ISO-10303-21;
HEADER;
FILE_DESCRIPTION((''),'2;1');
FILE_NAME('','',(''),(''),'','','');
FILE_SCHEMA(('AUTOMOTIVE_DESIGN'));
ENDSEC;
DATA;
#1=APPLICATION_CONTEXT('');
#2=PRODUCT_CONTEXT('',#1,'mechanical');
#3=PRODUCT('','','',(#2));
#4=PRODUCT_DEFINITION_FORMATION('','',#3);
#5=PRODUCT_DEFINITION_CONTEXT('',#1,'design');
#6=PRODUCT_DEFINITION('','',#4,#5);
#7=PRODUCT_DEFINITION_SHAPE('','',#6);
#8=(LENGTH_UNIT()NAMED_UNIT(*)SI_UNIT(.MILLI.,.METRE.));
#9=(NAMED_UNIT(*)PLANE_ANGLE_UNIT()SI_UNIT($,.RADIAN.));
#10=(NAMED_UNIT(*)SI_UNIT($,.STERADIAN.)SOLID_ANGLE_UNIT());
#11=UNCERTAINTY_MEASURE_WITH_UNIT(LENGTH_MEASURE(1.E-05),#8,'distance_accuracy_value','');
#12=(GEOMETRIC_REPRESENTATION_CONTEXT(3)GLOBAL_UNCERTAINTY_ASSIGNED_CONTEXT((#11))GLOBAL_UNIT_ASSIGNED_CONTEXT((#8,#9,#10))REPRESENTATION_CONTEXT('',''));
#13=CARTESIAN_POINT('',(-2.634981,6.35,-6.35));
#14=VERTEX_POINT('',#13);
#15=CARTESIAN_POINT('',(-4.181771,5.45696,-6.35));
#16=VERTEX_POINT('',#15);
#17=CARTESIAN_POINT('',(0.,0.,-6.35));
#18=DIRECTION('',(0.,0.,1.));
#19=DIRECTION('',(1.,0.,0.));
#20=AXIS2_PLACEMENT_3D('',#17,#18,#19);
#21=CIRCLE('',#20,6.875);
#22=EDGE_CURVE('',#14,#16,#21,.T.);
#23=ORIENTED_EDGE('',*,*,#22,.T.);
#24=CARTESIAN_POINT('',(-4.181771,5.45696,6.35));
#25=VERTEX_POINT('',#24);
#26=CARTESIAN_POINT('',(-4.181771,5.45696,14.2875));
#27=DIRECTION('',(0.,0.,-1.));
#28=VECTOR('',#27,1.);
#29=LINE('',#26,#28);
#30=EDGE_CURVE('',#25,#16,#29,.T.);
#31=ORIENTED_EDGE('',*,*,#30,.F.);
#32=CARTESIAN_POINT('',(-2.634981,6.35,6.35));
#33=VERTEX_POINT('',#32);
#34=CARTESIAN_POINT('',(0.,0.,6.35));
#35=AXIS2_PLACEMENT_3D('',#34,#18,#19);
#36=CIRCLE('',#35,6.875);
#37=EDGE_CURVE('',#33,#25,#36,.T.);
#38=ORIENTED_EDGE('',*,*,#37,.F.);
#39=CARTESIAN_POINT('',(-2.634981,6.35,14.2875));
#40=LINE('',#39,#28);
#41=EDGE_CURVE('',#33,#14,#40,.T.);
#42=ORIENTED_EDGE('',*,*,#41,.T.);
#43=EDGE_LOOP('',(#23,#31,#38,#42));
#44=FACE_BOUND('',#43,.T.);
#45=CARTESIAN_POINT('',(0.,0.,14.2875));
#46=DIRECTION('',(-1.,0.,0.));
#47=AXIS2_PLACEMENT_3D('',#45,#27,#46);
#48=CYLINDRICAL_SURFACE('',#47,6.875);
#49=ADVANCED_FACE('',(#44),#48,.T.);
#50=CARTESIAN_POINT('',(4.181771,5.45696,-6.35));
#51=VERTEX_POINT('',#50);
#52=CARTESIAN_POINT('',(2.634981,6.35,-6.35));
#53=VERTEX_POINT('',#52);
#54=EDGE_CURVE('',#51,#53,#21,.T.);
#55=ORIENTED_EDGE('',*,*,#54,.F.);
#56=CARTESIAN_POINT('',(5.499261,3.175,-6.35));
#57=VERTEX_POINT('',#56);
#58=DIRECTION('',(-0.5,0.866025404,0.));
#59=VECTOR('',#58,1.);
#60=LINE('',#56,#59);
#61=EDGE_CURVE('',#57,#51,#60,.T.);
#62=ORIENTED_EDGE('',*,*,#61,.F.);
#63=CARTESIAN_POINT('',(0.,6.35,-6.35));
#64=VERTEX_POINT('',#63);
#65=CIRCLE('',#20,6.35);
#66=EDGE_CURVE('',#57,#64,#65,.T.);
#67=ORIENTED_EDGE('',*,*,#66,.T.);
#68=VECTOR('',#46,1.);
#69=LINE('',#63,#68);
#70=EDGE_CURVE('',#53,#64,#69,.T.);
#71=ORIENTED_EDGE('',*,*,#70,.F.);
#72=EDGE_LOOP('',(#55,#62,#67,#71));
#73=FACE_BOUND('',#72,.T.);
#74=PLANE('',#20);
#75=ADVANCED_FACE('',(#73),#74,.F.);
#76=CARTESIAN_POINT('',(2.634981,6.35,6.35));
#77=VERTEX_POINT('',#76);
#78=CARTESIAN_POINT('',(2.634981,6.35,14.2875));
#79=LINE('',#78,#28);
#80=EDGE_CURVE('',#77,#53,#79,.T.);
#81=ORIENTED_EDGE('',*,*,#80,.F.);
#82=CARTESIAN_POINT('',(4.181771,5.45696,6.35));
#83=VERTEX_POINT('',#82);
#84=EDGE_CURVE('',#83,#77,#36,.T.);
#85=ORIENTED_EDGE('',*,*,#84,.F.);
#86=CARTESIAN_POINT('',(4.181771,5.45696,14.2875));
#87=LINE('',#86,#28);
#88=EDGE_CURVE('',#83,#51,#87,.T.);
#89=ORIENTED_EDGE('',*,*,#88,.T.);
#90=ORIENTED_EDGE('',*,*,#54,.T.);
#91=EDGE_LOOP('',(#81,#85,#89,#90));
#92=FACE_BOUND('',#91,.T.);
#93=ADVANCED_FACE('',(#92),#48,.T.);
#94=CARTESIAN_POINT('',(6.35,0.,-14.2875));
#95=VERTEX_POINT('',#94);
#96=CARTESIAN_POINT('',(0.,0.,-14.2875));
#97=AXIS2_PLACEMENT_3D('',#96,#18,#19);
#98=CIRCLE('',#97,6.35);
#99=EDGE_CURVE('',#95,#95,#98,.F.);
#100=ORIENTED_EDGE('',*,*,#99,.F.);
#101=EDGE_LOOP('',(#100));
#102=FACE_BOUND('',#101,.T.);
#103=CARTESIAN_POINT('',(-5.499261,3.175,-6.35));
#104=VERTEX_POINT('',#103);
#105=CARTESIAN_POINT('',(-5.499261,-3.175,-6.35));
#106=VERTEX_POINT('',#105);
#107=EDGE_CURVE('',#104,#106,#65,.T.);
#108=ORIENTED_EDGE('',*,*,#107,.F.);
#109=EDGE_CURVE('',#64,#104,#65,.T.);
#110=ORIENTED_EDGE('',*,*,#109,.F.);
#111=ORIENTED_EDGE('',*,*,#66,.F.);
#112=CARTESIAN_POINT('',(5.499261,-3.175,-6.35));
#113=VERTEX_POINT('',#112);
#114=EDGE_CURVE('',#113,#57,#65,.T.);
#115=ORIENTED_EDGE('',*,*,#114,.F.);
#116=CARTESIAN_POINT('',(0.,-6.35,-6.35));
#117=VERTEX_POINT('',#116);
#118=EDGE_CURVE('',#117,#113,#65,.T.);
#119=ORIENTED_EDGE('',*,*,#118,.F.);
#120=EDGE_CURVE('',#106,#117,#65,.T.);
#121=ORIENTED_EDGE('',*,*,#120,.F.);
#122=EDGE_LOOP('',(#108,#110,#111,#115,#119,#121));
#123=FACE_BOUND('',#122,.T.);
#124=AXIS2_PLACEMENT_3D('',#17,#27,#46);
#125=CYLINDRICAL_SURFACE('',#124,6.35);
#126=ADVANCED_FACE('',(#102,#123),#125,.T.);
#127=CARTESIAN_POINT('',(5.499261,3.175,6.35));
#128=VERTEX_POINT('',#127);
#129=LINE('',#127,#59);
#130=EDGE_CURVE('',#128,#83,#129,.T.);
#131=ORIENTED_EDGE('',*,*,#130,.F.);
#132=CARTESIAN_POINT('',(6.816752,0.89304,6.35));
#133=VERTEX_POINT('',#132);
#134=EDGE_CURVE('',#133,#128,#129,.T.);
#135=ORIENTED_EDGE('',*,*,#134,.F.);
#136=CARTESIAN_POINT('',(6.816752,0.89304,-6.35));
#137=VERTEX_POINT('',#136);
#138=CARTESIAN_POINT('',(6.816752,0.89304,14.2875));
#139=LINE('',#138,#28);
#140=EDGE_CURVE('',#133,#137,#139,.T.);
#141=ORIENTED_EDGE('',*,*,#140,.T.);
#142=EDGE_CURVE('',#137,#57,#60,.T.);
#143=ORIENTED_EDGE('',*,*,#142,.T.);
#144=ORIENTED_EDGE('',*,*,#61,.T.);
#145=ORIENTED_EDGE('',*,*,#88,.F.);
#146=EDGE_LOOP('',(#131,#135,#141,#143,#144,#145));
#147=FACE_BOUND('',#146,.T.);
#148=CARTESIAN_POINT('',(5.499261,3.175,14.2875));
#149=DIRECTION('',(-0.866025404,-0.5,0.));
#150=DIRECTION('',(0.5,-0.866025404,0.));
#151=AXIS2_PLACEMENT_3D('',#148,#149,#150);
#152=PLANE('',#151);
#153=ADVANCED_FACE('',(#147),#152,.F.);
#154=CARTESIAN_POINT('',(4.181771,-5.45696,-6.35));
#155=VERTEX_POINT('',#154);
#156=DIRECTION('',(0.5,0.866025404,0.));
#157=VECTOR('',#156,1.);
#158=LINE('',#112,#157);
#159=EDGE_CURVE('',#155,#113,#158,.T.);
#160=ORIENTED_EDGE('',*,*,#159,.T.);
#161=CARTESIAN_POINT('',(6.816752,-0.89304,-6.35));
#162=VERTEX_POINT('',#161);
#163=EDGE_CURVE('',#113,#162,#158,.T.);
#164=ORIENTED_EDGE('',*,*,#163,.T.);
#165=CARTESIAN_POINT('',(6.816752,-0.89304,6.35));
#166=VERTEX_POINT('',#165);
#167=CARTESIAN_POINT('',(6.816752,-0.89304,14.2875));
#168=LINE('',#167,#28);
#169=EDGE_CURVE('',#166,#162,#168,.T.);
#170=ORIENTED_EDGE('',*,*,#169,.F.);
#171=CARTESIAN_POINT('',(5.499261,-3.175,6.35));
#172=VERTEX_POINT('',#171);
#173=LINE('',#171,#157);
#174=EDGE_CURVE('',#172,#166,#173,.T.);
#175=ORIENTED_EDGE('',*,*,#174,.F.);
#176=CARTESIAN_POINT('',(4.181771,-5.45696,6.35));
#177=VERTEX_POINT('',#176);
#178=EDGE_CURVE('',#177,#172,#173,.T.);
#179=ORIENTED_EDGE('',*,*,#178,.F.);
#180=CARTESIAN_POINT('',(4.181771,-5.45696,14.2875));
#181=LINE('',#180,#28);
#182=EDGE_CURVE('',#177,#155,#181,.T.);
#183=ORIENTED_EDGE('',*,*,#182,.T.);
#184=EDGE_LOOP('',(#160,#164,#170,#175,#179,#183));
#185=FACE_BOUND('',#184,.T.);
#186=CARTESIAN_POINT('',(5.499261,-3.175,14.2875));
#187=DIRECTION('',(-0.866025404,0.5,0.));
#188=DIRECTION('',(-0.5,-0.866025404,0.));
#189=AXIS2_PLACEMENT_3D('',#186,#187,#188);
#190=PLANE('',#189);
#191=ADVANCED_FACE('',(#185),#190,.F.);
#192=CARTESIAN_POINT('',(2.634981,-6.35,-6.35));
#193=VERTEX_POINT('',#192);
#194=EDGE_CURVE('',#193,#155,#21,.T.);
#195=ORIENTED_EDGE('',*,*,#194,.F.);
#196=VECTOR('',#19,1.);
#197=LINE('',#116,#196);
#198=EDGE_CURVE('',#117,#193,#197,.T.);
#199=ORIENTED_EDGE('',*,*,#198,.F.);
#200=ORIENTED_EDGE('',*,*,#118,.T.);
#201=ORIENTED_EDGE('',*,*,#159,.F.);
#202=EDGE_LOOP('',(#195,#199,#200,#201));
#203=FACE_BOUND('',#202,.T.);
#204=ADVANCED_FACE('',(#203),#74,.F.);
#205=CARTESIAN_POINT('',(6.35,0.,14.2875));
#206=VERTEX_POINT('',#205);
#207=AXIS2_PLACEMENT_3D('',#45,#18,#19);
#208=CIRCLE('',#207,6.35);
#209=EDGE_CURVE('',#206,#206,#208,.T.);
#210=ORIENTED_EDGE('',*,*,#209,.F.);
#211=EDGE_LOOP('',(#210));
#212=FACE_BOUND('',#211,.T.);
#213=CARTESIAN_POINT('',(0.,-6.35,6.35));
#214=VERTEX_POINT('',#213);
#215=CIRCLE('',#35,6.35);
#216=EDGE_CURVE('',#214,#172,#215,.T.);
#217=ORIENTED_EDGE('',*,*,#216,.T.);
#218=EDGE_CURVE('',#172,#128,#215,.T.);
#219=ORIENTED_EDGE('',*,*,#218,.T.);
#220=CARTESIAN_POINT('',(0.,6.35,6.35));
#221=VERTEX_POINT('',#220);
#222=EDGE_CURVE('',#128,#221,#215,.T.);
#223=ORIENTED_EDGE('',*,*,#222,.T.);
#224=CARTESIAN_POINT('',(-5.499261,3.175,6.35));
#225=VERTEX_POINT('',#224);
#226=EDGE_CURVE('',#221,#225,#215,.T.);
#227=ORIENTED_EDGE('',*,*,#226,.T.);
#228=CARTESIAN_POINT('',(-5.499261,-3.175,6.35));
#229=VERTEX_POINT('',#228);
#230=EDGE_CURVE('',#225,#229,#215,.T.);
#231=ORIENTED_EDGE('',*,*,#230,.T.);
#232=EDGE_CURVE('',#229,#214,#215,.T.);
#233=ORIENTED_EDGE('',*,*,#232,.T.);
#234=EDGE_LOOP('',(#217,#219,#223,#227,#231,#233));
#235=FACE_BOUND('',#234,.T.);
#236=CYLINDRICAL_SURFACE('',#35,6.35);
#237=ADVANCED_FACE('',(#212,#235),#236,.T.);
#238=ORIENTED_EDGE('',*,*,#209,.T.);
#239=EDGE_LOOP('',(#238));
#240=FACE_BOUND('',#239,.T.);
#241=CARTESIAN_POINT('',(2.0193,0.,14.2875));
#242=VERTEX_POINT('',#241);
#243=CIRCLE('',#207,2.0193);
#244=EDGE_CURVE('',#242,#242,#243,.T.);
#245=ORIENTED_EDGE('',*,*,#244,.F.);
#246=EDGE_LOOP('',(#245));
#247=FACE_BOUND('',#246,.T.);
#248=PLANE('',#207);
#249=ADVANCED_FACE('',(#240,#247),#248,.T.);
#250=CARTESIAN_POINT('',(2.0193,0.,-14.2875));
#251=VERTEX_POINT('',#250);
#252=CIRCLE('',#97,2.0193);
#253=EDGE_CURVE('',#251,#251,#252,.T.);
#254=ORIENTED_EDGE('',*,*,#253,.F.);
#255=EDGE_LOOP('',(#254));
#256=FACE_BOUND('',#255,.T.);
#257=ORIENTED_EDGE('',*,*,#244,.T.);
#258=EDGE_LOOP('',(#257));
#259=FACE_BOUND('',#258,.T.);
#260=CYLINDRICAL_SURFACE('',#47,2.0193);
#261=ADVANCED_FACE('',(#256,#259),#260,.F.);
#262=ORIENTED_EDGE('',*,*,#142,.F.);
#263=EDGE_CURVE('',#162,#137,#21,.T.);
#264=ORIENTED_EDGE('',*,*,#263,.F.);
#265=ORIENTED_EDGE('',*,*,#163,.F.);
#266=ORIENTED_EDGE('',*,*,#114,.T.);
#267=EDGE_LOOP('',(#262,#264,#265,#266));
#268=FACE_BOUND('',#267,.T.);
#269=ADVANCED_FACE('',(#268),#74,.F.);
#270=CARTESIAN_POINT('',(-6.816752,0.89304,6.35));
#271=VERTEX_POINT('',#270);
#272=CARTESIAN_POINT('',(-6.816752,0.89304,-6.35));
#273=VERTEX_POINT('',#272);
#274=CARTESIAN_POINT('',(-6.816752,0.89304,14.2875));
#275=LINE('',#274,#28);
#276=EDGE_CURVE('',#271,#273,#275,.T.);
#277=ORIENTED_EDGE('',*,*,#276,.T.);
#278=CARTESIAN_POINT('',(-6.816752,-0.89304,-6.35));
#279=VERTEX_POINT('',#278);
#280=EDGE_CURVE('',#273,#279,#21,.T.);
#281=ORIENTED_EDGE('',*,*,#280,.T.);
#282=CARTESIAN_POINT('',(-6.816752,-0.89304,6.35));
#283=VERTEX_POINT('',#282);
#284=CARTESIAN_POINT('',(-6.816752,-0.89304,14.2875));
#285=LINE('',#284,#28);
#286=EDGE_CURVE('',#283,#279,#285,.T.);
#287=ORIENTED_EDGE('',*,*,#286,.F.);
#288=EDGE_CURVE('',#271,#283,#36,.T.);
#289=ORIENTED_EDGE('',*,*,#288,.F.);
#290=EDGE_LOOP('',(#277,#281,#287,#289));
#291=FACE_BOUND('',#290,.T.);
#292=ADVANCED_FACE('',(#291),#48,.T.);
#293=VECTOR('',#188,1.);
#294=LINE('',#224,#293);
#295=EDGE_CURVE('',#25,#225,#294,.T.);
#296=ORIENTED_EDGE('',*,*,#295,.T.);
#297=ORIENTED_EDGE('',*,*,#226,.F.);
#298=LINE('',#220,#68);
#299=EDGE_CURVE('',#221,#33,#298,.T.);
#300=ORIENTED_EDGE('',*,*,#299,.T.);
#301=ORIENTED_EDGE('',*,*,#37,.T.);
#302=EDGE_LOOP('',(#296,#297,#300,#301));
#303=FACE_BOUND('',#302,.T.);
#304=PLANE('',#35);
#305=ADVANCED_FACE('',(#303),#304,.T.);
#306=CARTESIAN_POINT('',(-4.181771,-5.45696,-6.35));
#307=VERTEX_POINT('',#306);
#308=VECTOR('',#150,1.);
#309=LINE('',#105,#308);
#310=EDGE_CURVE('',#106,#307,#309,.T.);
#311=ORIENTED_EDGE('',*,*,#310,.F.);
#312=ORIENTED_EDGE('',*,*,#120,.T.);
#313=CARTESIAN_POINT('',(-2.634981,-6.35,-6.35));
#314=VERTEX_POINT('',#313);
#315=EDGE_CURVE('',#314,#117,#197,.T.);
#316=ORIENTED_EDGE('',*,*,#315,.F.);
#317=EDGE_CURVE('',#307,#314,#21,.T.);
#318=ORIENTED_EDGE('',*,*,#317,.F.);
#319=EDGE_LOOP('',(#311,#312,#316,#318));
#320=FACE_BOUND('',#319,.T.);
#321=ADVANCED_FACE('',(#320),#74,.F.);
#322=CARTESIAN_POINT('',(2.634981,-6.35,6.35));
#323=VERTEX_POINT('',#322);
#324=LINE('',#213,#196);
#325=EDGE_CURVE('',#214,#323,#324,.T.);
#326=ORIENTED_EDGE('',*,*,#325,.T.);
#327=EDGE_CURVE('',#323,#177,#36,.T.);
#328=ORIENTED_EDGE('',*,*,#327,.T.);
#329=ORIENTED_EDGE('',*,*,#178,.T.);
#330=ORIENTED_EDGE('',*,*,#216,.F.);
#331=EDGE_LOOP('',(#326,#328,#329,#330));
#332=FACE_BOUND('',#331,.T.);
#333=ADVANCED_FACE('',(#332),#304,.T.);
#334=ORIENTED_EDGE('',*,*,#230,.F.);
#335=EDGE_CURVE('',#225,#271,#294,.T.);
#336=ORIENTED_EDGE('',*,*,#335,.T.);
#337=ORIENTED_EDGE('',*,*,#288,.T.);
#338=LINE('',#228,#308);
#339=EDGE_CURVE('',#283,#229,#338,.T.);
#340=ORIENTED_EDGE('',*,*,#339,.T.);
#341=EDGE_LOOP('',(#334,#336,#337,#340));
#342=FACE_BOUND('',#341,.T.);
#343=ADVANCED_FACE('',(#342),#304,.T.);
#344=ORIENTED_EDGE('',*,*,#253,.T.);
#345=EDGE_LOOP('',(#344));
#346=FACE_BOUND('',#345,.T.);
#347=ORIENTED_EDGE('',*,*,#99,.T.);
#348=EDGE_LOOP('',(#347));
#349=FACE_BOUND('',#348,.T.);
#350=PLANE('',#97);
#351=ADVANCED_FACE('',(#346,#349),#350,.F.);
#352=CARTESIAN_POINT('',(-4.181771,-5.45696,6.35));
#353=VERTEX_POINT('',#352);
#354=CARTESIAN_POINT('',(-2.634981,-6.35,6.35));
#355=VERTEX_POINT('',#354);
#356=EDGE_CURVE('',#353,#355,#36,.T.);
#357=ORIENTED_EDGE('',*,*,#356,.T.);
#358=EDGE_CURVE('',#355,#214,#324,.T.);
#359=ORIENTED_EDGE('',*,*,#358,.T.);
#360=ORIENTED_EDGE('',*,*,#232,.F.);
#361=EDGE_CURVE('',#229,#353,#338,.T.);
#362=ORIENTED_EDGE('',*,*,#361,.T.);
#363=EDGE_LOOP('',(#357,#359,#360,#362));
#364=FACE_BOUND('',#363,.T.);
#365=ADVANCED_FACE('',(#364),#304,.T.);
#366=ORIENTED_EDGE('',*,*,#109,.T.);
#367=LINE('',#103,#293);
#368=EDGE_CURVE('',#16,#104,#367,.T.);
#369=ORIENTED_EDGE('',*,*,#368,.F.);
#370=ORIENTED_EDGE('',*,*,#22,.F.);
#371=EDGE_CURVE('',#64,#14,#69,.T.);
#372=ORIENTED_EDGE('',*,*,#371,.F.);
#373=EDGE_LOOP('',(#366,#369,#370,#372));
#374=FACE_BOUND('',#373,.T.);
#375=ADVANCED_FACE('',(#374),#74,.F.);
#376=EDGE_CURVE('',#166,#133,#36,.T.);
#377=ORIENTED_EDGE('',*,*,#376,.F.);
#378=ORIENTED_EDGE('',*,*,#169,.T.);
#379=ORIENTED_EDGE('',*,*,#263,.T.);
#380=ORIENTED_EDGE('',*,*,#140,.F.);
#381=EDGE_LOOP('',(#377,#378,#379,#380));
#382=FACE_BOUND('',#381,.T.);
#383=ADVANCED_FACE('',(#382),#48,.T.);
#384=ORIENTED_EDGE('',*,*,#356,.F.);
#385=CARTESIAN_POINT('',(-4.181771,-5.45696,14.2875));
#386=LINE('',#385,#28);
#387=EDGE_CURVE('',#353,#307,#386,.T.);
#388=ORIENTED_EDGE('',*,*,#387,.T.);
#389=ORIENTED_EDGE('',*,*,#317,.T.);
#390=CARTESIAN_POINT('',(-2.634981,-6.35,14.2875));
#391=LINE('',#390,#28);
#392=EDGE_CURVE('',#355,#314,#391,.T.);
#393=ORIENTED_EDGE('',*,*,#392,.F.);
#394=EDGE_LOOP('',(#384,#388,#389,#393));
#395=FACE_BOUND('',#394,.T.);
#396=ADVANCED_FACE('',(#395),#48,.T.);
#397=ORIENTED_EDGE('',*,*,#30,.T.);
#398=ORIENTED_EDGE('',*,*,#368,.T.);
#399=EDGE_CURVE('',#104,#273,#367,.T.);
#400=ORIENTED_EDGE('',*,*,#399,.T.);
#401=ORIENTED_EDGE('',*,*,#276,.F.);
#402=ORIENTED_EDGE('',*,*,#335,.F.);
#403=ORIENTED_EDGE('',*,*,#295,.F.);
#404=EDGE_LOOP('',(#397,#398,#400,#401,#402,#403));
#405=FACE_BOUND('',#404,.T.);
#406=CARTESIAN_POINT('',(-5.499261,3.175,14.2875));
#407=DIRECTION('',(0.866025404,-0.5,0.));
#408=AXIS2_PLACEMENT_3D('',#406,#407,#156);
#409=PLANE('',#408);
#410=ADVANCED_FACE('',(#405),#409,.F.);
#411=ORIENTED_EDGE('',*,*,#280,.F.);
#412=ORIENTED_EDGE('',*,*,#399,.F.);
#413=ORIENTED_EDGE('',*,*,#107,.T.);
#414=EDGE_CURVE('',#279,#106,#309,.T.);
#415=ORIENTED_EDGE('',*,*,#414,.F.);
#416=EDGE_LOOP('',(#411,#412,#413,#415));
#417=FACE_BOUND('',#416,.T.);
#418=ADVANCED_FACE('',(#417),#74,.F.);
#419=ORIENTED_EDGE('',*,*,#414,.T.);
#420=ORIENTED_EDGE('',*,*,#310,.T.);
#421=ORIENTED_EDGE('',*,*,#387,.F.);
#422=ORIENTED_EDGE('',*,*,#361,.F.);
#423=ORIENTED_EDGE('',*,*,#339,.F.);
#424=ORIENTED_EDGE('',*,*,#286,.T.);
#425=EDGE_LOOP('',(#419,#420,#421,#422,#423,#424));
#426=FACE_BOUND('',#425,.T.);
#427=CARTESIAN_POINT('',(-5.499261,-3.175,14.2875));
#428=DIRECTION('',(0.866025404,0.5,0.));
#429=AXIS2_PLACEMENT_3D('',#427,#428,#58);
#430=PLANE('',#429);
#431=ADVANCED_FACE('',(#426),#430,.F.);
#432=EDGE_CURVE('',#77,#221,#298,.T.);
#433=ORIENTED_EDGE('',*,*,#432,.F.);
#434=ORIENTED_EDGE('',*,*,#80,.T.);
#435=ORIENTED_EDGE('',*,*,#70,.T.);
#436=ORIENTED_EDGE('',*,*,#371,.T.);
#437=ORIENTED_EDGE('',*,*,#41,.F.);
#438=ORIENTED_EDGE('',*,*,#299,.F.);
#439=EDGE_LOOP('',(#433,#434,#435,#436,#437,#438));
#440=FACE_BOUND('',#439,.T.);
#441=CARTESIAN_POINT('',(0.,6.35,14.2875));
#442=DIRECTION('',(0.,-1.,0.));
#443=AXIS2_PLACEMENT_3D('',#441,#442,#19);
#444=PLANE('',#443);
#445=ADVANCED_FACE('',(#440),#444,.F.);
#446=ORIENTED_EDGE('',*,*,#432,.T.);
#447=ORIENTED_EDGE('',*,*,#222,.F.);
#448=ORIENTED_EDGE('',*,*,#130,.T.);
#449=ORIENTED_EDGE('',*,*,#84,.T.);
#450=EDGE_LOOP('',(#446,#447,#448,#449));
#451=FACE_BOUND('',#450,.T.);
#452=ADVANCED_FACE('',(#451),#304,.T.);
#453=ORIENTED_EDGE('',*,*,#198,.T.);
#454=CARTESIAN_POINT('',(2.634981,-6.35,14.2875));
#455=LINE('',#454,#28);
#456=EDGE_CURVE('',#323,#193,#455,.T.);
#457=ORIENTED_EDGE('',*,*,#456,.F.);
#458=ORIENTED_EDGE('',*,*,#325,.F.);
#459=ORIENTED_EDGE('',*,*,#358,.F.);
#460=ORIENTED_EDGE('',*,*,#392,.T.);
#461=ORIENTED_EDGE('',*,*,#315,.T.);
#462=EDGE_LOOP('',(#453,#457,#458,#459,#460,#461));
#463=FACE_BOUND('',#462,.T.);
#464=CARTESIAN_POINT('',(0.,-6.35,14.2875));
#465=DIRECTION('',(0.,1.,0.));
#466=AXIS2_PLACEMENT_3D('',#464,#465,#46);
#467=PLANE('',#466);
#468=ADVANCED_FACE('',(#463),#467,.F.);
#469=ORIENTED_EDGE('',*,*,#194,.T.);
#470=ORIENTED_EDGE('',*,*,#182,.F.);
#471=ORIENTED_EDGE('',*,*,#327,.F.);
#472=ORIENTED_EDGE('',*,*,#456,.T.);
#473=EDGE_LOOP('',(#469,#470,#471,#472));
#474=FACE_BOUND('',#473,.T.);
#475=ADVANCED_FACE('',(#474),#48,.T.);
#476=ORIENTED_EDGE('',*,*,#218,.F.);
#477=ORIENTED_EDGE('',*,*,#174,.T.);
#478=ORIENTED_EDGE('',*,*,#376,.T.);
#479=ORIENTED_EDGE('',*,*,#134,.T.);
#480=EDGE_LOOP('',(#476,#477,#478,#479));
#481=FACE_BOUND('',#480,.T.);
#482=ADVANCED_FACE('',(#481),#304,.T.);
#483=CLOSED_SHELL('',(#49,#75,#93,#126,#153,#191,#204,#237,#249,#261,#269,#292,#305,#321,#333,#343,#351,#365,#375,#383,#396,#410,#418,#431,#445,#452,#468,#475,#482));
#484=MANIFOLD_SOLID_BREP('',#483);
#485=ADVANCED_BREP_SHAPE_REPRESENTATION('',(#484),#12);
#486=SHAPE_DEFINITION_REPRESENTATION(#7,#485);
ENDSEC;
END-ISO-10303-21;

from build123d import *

# Parameters (mm, degrees)
SKETCH1_R                            = 2.0193
BOSS_EXTRUDE1_DEPTH                  = 14.2875
F_10_32_TAPPED_HOLE1_D               = 4.0386
F_10_32_TAPPED_HOLE1_DEPTH           = 11.938
F_10_32_TAPPED_HOLE1_TIP             = 1.213317848
F_10_32_TAPPED_HOLE1_ON_FACE_2_D     = 4.0386
F_10_32_TAPPED_HOLE1_ON_FACE_2_DEPTH = 11.938
F_10_32_TAPPED_HOLE1_ON_FACE_2_TIP   = 1.213317848
SKETCH4_R                            = 8.89
SKETCH4_R_2                          = 6.35
CUT_EXTRUDE_THIN1_DEPTH              = 7.9375


with BuildPart() as part:
    # Sketch1 → Boss-Extrude1 (new, symmetric)
    with BuildSketch(Plane.XY):
        with BuildLine():
            ThreePointArc((6.874999966, 0), (6.860422465, 0.447468582), (6.816751782, 0.893039571))
            Line((6.816751782, 0.893039571), (4.181770846, 5.456960429))
            ThreePointArc((4.181770846, 5.456960429), (3.437499983, 5.953924622), (2.634980936, 6.35))
            Line((2.634980936, 6.35), (-2.634980936, 6.35))
            ThreePointArc((-2.634980936, 6.35), (-3.437499983, 5.953924622), (-4.181770846, 5.456960429))
            Line((-4.181770846, 5.456960429), (-6.816751782, 0.893039571))
            ThreePointArc((-6.816751782, 0.893039571), (-6.874999966, 0), (-6.816751782, -0.893039571))
            Line((-6.816751782, -0.893039571), (-4.181770846, -5.456960429))
            ThreePointArc((-4.181770846, -5.456960429), (-3.437499983, -5.953924622), (-2.634980936, -6.35))
            Line((-2.634980936, -6.35), (2.634980936, -6.35))
            ThreePointArc((2.634980936, -6.35), (3.437499983, -5.953924622), (4.181770846, -5.456960429))
            Line((4.181770846, -5.456960429), (6.816751782, -0.893039571))
            ThreePointArc((6.816751782, -0.893039571), (6.860422465, -0.447468582), (6.874999966, 0))
        make_face()
        Circle(SKETCH1_R, mode=Mode.SUBTRACT)
    extrude(amount=BOSS_EXTRUDE1_DEPTH, both=True)

    # #10-32 Tapped Hole1
    with Locations(Plane.XY.offset(14.2875)):
        with Locations((0, 0)):
            Hole(F_10_32_TAPPED_HOLE1_D / 2, depth=F_10_32_TAPPED_HOLE1_DEPTH)
            with Locations((0, 0, -(F_10_32_TAPPED_HOLE1_DEPTH + F_10_32_TAPPED_HOLE1_TIP / 2))):  # 118° drill point
                Cone(0, F_10_32_TAPPED_HOLE1_D / 2, F_10_32_TAPPED_HOLE1_TIP, mode=Mode.SUBTRACT)

    # #10-32 Tapped Hole1 on face 2
    with Locations(Plane.XY.offset(-14.2875)):
        with Locations((0, 0)):
            Hole(F_10_32_TAPPED_HOLE1_ON_FACE_2_D / 2, depth=F_10_32_TAPPED_HOLE1_ON_FACE_2_DEPTH)
            with Locations((0, 0, -(F_10_32_TAPPED_HOLE1_ON_FACE_2_DEPTH + F_10_32_TAPPED_HOLE1_ON_FACE_2_TIP / 2))):  # 118° drill point
                Cone(0, F_10_32_TAPPED_HOLE1_ON_FACE_2_D / 2, F_10_32_TAPPED_HOLE1_ON_FACE_2_TIP, mode=Mode.SUBTRACT)

    # Sketch4 → Cut-Extrude-Thin1 (cut)
    with BuildSketch(Plane.XY.offset(14.2875)):
        Circle(SKETCH4_R)
        Circle(SKETCH4_R_2, mode=Mode.SUBTRACT)
    cut_extrude_thin1 = extrude(amount=-CUT_EXTRUDE_THIN1_DEPTH, mode=Mode.SUBTRACT)

    # Mirror1: Cut-Extrude-Thin1 across plane
    add(cut_extrude_thin1.mirror(Plane.XY), mode=Mode.SUBTRACT)


solid = part.part
